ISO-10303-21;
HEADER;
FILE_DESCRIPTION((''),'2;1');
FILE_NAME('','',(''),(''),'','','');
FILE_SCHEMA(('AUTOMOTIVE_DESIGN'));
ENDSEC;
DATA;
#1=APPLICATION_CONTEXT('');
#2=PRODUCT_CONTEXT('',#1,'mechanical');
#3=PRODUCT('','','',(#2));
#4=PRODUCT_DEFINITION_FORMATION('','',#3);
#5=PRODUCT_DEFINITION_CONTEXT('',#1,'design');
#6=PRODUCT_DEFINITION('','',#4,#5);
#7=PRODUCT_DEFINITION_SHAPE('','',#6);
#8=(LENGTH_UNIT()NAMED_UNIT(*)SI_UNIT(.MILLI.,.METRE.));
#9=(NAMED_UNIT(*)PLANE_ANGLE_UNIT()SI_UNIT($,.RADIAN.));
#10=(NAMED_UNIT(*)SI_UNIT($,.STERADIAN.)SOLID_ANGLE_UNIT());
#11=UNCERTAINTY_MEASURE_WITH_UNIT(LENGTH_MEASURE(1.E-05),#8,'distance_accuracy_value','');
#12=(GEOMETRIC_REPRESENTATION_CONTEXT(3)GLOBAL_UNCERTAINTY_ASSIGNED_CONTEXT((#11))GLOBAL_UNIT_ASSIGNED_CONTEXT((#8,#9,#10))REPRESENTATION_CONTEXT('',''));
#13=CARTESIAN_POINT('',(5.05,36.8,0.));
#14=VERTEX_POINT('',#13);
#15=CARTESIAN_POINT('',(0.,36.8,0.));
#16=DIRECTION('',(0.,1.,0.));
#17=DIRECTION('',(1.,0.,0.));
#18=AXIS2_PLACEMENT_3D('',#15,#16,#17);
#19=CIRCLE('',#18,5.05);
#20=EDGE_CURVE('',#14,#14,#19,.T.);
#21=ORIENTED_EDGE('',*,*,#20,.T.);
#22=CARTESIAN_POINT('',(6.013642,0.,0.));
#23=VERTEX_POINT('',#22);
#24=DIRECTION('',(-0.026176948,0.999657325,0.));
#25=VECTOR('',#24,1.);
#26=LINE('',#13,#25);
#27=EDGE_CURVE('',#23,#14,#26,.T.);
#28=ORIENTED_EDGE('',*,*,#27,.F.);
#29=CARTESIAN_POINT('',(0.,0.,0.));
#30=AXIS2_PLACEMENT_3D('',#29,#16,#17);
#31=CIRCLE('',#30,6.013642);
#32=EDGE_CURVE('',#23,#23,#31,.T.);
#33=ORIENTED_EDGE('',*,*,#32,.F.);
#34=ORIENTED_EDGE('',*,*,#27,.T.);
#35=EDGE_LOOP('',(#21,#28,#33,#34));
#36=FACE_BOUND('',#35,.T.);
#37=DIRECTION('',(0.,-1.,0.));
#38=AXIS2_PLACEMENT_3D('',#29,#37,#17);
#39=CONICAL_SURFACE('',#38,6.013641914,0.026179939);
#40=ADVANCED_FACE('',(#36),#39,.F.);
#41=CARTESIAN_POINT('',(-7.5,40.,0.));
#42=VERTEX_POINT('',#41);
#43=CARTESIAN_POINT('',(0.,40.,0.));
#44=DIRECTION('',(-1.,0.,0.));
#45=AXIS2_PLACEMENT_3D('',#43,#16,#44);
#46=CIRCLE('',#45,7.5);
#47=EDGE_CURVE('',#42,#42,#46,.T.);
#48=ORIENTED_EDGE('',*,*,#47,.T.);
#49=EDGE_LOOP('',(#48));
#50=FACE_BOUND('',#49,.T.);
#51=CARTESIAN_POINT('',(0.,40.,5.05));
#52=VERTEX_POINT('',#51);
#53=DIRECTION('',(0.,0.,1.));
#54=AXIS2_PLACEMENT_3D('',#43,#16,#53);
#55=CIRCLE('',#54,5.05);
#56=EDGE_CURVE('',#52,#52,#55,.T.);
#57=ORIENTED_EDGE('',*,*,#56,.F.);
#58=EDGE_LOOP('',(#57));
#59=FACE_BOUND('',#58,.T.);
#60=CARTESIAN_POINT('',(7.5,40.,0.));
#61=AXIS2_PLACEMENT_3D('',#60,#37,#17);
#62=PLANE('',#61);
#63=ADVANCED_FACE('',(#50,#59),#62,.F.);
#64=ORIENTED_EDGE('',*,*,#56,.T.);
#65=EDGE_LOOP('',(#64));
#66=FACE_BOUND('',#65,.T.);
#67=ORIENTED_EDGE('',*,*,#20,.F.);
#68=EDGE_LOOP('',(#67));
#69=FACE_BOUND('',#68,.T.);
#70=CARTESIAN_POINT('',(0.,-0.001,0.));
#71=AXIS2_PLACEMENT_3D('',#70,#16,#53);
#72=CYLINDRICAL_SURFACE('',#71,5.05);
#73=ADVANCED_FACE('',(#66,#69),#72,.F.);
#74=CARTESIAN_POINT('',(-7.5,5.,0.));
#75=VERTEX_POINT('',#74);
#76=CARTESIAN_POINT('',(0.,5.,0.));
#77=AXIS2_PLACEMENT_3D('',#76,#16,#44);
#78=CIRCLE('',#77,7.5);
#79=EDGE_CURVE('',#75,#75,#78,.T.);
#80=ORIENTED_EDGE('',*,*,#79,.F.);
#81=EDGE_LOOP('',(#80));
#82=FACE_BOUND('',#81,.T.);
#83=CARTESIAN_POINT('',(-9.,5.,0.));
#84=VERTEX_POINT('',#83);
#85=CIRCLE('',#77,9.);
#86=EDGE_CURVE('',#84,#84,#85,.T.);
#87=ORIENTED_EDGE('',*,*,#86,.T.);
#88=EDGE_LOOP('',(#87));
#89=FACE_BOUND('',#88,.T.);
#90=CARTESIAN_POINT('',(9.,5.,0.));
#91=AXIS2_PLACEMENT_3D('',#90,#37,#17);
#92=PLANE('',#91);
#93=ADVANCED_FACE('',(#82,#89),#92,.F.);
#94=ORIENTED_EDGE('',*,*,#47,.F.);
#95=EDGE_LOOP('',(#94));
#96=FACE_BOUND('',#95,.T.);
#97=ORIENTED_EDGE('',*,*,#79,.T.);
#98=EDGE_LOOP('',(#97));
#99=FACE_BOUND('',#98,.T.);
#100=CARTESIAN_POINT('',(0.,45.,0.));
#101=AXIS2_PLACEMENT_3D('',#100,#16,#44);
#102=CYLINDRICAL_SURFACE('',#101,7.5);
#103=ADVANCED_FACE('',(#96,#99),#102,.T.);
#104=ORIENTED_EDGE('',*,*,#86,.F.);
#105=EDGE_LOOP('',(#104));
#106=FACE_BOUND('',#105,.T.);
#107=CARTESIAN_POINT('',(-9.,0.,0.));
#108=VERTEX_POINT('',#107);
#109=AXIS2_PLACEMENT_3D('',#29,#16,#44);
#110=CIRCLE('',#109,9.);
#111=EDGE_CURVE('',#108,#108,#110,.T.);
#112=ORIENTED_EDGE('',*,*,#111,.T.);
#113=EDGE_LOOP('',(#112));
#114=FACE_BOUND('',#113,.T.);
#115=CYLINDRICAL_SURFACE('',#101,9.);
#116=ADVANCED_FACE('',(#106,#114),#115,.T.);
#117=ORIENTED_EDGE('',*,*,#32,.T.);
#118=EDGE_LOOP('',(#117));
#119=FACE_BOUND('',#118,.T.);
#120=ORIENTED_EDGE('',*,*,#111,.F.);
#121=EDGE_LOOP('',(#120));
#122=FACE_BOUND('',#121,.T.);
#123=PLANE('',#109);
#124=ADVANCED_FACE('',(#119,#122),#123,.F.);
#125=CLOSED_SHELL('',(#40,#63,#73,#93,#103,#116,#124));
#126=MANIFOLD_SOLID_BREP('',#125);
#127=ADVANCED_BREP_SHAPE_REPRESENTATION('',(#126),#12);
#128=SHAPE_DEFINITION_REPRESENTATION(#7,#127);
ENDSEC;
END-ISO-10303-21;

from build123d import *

# Parameters (mm, degrees)
CUT_EXTRUDE1_REACH = 43.976
SKETCH2_R          = 5.05


with BuildPart() as part:
    # Sketch1 → Revolve1 (revolve)
    with BuildSketch(Plane.XY, mode=Mode.PRIVATE) as revolve1_sk:
        Polygon((0, 0), (9, 0), (9, 5), (7.5, 5), (7.5, 40), (0, 40), align=None)
    revolve(revolve1_sk.sketch.rotate(Axis((0, 45, 0), (0, -1, 0)), 180), axis=Axis((0, 45, 0), (0, -1, 0)))

    # Sketch2 → Cut-Extrude1 (cut, up to next)
    with BuildSketch(Plane(origin=(0, 40, 0), x_dir=(1, 0, 0), z_dir=(0, 1, 0)), mode=Mode.PRIVATE) as cut_extrude1_sk1:
        with Locations(Location((0, 0, 0), (0, 0, 270))):
            Circle(SKETCH2_R)
    cut_extrude1_tool1 = extrude(cut_extrude1_sk1.sketch, amount=-CUT_EXTRUDE1_REACH, mode=Mode.PRIVATE) & part.part
    add(cut_extrude1_tool1.solids().sort_by_distance((0, 40, 0))[0], mode=Mode.SUBTRACT)

    # Cut-Sweep1: sweep along a path in Sketch4
    with BuildLine(Plane(origin=(0, 40, 0), x_dir=(1, 0, 0), z_dir=(0, 1, 0))) as cut_sweep1_path:
        CenterArc((0, 0), 5.05, 0, 360)
    # Sketch3 → Cut-Sweep1 (sweep, cut)
    with BuildSketch(Plane.XY):
        Polygon((5.05, 36.8), (6.013641914, 0), (5.05, 0), align=None)
    sweep(path=cut_sweep1_path.line, mode=Mode.SUBTRACT)


solid = part.part
